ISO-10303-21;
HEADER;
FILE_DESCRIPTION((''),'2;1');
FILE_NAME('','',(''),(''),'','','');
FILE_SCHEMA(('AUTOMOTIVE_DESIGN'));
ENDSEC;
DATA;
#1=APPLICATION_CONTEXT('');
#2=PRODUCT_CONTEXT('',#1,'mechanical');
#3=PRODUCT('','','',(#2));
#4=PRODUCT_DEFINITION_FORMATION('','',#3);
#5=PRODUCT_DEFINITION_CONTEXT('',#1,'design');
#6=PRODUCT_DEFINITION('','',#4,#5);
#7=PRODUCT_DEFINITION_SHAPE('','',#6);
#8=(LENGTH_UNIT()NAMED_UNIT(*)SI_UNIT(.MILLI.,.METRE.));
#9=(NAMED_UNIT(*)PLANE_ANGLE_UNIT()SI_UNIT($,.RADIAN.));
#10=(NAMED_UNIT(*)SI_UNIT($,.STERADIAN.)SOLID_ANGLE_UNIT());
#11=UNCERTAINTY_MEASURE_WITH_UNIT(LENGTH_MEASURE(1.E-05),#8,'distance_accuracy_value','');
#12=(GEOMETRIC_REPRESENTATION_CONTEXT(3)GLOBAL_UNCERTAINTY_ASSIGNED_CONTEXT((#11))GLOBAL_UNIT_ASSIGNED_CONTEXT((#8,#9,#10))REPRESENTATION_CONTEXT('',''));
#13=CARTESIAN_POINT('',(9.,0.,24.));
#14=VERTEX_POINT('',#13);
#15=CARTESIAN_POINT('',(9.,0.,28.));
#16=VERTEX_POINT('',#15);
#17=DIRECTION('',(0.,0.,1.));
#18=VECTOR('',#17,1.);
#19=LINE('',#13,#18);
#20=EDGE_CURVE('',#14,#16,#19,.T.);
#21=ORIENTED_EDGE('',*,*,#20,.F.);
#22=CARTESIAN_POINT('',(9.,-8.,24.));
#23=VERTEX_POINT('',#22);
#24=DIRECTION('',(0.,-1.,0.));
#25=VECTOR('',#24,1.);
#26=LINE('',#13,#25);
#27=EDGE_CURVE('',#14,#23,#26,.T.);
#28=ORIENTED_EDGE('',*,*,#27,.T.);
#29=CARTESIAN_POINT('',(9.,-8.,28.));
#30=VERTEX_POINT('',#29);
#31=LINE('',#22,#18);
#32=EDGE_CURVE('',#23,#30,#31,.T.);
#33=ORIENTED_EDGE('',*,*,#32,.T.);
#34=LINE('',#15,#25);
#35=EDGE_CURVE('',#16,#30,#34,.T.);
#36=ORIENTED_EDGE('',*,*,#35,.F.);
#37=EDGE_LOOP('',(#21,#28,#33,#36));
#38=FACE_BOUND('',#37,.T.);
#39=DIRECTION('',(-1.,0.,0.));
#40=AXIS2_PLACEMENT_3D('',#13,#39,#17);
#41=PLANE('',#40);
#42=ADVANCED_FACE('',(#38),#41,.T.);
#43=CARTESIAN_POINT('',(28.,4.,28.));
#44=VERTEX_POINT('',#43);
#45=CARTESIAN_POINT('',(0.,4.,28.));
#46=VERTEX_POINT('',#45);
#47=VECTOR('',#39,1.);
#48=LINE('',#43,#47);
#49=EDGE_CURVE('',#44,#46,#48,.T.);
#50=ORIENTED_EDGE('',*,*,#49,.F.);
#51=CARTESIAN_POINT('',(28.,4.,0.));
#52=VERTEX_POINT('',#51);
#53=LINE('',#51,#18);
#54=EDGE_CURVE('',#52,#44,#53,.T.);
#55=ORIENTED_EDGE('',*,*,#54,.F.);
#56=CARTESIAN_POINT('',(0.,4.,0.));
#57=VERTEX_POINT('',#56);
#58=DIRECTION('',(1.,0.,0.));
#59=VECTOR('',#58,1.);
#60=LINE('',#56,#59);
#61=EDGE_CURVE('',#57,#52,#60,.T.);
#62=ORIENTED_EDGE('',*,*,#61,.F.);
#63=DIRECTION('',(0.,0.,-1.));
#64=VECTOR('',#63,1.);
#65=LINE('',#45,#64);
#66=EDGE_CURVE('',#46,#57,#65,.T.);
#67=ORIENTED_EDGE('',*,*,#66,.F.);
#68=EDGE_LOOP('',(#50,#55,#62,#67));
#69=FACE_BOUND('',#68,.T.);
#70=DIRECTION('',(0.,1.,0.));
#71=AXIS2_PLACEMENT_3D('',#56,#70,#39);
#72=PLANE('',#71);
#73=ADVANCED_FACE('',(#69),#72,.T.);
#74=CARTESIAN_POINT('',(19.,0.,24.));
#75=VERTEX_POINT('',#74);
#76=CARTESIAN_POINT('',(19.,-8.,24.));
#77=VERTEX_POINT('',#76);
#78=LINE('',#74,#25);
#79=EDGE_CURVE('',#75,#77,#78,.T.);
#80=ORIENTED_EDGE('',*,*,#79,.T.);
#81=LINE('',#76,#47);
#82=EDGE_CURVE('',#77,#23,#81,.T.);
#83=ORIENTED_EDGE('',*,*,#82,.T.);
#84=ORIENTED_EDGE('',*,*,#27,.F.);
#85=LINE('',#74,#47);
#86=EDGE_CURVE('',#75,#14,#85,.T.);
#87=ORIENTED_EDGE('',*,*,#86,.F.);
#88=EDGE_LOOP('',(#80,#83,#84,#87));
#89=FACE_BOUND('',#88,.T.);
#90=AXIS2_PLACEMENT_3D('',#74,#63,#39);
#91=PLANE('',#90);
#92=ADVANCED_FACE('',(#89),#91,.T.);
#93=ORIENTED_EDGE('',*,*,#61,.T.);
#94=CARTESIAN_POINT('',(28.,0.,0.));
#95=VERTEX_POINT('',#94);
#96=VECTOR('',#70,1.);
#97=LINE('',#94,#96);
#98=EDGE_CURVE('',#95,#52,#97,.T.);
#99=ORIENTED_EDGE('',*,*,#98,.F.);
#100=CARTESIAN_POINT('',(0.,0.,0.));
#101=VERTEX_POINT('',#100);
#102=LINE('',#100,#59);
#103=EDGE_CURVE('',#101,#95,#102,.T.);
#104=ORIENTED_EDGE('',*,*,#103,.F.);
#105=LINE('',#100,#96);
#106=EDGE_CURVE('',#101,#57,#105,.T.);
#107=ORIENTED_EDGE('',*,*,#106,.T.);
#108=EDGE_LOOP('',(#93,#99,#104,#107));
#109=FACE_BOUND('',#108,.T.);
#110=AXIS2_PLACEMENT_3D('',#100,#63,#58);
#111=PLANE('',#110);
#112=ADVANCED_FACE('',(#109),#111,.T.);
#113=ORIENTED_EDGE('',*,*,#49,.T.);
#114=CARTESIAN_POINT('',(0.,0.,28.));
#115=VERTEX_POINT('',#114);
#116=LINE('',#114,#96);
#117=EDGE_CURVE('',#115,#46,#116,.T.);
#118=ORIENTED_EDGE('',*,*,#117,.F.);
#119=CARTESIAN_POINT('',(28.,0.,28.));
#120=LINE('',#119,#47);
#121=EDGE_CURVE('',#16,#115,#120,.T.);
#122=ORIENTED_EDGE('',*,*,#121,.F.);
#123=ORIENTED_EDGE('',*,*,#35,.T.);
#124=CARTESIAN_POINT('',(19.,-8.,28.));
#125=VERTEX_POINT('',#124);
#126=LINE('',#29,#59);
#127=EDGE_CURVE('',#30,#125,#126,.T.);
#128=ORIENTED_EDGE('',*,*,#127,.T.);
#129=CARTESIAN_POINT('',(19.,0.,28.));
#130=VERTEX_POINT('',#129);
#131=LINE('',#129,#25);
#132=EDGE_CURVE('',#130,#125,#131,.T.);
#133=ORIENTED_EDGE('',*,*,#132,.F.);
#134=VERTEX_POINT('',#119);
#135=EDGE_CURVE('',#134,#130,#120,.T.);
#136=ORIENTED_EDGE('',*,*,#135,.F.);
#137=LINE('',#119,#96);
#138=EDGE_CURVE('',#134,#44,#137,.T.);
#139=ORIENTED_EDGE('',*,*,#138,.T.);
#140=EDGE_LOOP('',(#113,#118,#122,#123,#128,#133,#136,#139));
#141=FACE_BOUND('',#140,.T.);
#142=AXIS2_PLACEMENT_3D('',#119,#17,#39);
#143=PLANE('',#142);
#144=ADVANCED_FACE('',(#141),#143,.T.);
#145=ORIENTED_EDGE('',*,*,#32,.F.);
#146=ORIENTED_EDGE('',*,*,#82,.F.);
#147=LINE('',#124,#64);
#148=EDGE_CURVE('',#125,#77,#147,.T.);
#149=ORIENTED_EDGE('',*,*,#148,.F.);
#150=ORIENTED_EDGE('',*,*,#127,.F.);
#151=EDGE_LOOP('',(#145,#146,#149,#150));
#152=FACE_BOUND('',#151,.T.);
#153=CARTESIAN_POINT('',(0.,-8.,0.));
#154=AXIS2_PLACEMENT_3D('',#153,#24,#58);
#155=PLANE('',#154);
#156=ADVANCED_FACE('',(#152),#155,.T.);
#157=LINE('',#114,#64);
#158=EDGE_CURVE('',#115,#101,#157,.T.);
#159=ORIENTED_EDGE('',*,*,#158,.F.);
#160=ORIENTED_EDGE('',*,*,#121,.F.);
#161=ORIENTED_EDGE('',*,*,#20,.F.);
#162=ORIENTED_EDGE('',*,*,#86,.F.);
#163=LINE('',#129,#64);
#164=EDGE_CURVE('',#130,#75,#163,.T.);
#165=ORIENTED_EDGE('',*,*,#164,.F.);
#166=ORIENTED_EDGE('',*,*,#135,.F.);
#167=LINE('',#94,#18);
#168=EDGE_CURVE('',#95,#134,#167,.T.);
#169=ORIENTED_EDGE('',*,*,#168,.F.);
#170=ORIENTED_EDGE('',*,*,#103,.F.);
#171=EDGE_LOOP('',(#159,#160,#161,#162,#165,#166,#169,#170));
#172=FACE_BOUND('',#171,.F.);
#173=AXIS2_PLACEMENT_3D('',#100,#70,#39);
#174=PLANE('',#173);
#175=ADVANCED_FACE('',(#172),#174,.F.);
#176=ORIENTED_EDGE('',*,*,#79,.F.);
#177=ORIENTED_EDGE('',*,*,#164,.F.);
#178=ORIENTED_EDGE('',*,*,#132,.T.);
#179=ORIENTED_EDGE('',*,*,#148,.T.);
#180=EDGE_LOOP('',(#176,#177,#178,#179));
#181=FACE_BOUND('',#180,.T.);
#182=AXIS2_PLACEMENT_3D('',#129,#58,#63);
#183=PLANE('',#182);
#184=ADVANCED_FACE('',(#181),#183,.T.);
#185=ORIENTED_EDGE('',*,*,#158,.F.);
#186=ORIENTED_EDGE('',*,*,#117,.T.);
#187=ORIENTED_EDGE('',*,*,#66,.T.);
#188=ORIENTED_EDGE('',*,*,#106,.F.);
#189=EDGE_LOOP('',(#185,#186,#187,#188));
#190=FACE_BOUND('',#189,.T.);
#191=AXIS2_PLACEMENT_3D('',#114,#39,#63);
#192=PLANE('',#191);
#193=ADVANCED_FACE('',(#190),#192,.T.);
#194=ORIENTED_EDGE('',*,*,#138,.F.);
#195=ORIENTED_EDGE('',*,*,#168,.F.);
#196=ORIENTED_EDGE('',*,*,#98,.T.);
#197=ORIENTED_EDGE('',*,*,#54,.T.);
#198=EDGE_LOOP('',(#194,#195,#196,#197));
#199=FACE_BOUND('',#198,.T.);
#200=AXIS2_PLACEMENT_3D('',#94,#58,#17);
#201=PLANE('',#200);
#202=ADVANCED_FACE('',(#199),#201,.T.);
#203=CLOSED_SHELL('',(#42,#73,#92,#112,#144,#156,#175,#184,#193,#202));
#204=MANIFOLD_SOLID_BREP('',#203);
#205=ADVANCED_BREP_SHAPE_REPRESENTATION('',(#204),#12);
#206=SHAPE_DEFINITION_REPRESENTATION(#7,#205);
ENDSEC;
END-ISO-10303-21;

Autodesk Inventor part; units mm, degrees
ref_plane "YZ Plane" through (0, 0, 0) normal (1, 0, 0) x (0, 1, 0)
ref_plane "XZ Plane" through (0, 0, 0) normal (0, 1, 0) x (-1, 0, 0)
ref_plane "XY Plane" through (0, 0, 0) normal (0, 0, 1) x (1, 0, 0)
sketch "Sketch1" plane through (0, 0, 0) normal (0, 1, 0) x (-1, 0, 0)
  line L0 (0, 0) -> (-28, 0)
  line L1 (-28, 0) -> (-28, 28)
  line L2 (-28, 28) -> (0, 28)
  line L3 (0, 28) -> (0, 0)
  dimension "d0" = 28
  dimension "d1" = 28
extrude "Extrusion1" add sketch "Sketch1" along normal blind 4
sketch "Sketch2" plane through (0, 0, 0) normal (0, -1, 0) x (1, 0, 0)
  line L0 (0, 28) -> (28, 28) projected
  line L1 (14, 28) -> (19, 28)
  line L2 (19, 28) -> (19, 24)
  line L3 (19, 24) -> (9, 24)
  line L4 (9, 24) -> (9, 28)
  point P0 (0, 0)
  dimension "d6" = 5
  dimension "d7" = 4
  dimension "d8" = 10
extrude "Extrusion2" add sketch "Sketch2" along normal blind 8
properties part number "Schemo lcd"
